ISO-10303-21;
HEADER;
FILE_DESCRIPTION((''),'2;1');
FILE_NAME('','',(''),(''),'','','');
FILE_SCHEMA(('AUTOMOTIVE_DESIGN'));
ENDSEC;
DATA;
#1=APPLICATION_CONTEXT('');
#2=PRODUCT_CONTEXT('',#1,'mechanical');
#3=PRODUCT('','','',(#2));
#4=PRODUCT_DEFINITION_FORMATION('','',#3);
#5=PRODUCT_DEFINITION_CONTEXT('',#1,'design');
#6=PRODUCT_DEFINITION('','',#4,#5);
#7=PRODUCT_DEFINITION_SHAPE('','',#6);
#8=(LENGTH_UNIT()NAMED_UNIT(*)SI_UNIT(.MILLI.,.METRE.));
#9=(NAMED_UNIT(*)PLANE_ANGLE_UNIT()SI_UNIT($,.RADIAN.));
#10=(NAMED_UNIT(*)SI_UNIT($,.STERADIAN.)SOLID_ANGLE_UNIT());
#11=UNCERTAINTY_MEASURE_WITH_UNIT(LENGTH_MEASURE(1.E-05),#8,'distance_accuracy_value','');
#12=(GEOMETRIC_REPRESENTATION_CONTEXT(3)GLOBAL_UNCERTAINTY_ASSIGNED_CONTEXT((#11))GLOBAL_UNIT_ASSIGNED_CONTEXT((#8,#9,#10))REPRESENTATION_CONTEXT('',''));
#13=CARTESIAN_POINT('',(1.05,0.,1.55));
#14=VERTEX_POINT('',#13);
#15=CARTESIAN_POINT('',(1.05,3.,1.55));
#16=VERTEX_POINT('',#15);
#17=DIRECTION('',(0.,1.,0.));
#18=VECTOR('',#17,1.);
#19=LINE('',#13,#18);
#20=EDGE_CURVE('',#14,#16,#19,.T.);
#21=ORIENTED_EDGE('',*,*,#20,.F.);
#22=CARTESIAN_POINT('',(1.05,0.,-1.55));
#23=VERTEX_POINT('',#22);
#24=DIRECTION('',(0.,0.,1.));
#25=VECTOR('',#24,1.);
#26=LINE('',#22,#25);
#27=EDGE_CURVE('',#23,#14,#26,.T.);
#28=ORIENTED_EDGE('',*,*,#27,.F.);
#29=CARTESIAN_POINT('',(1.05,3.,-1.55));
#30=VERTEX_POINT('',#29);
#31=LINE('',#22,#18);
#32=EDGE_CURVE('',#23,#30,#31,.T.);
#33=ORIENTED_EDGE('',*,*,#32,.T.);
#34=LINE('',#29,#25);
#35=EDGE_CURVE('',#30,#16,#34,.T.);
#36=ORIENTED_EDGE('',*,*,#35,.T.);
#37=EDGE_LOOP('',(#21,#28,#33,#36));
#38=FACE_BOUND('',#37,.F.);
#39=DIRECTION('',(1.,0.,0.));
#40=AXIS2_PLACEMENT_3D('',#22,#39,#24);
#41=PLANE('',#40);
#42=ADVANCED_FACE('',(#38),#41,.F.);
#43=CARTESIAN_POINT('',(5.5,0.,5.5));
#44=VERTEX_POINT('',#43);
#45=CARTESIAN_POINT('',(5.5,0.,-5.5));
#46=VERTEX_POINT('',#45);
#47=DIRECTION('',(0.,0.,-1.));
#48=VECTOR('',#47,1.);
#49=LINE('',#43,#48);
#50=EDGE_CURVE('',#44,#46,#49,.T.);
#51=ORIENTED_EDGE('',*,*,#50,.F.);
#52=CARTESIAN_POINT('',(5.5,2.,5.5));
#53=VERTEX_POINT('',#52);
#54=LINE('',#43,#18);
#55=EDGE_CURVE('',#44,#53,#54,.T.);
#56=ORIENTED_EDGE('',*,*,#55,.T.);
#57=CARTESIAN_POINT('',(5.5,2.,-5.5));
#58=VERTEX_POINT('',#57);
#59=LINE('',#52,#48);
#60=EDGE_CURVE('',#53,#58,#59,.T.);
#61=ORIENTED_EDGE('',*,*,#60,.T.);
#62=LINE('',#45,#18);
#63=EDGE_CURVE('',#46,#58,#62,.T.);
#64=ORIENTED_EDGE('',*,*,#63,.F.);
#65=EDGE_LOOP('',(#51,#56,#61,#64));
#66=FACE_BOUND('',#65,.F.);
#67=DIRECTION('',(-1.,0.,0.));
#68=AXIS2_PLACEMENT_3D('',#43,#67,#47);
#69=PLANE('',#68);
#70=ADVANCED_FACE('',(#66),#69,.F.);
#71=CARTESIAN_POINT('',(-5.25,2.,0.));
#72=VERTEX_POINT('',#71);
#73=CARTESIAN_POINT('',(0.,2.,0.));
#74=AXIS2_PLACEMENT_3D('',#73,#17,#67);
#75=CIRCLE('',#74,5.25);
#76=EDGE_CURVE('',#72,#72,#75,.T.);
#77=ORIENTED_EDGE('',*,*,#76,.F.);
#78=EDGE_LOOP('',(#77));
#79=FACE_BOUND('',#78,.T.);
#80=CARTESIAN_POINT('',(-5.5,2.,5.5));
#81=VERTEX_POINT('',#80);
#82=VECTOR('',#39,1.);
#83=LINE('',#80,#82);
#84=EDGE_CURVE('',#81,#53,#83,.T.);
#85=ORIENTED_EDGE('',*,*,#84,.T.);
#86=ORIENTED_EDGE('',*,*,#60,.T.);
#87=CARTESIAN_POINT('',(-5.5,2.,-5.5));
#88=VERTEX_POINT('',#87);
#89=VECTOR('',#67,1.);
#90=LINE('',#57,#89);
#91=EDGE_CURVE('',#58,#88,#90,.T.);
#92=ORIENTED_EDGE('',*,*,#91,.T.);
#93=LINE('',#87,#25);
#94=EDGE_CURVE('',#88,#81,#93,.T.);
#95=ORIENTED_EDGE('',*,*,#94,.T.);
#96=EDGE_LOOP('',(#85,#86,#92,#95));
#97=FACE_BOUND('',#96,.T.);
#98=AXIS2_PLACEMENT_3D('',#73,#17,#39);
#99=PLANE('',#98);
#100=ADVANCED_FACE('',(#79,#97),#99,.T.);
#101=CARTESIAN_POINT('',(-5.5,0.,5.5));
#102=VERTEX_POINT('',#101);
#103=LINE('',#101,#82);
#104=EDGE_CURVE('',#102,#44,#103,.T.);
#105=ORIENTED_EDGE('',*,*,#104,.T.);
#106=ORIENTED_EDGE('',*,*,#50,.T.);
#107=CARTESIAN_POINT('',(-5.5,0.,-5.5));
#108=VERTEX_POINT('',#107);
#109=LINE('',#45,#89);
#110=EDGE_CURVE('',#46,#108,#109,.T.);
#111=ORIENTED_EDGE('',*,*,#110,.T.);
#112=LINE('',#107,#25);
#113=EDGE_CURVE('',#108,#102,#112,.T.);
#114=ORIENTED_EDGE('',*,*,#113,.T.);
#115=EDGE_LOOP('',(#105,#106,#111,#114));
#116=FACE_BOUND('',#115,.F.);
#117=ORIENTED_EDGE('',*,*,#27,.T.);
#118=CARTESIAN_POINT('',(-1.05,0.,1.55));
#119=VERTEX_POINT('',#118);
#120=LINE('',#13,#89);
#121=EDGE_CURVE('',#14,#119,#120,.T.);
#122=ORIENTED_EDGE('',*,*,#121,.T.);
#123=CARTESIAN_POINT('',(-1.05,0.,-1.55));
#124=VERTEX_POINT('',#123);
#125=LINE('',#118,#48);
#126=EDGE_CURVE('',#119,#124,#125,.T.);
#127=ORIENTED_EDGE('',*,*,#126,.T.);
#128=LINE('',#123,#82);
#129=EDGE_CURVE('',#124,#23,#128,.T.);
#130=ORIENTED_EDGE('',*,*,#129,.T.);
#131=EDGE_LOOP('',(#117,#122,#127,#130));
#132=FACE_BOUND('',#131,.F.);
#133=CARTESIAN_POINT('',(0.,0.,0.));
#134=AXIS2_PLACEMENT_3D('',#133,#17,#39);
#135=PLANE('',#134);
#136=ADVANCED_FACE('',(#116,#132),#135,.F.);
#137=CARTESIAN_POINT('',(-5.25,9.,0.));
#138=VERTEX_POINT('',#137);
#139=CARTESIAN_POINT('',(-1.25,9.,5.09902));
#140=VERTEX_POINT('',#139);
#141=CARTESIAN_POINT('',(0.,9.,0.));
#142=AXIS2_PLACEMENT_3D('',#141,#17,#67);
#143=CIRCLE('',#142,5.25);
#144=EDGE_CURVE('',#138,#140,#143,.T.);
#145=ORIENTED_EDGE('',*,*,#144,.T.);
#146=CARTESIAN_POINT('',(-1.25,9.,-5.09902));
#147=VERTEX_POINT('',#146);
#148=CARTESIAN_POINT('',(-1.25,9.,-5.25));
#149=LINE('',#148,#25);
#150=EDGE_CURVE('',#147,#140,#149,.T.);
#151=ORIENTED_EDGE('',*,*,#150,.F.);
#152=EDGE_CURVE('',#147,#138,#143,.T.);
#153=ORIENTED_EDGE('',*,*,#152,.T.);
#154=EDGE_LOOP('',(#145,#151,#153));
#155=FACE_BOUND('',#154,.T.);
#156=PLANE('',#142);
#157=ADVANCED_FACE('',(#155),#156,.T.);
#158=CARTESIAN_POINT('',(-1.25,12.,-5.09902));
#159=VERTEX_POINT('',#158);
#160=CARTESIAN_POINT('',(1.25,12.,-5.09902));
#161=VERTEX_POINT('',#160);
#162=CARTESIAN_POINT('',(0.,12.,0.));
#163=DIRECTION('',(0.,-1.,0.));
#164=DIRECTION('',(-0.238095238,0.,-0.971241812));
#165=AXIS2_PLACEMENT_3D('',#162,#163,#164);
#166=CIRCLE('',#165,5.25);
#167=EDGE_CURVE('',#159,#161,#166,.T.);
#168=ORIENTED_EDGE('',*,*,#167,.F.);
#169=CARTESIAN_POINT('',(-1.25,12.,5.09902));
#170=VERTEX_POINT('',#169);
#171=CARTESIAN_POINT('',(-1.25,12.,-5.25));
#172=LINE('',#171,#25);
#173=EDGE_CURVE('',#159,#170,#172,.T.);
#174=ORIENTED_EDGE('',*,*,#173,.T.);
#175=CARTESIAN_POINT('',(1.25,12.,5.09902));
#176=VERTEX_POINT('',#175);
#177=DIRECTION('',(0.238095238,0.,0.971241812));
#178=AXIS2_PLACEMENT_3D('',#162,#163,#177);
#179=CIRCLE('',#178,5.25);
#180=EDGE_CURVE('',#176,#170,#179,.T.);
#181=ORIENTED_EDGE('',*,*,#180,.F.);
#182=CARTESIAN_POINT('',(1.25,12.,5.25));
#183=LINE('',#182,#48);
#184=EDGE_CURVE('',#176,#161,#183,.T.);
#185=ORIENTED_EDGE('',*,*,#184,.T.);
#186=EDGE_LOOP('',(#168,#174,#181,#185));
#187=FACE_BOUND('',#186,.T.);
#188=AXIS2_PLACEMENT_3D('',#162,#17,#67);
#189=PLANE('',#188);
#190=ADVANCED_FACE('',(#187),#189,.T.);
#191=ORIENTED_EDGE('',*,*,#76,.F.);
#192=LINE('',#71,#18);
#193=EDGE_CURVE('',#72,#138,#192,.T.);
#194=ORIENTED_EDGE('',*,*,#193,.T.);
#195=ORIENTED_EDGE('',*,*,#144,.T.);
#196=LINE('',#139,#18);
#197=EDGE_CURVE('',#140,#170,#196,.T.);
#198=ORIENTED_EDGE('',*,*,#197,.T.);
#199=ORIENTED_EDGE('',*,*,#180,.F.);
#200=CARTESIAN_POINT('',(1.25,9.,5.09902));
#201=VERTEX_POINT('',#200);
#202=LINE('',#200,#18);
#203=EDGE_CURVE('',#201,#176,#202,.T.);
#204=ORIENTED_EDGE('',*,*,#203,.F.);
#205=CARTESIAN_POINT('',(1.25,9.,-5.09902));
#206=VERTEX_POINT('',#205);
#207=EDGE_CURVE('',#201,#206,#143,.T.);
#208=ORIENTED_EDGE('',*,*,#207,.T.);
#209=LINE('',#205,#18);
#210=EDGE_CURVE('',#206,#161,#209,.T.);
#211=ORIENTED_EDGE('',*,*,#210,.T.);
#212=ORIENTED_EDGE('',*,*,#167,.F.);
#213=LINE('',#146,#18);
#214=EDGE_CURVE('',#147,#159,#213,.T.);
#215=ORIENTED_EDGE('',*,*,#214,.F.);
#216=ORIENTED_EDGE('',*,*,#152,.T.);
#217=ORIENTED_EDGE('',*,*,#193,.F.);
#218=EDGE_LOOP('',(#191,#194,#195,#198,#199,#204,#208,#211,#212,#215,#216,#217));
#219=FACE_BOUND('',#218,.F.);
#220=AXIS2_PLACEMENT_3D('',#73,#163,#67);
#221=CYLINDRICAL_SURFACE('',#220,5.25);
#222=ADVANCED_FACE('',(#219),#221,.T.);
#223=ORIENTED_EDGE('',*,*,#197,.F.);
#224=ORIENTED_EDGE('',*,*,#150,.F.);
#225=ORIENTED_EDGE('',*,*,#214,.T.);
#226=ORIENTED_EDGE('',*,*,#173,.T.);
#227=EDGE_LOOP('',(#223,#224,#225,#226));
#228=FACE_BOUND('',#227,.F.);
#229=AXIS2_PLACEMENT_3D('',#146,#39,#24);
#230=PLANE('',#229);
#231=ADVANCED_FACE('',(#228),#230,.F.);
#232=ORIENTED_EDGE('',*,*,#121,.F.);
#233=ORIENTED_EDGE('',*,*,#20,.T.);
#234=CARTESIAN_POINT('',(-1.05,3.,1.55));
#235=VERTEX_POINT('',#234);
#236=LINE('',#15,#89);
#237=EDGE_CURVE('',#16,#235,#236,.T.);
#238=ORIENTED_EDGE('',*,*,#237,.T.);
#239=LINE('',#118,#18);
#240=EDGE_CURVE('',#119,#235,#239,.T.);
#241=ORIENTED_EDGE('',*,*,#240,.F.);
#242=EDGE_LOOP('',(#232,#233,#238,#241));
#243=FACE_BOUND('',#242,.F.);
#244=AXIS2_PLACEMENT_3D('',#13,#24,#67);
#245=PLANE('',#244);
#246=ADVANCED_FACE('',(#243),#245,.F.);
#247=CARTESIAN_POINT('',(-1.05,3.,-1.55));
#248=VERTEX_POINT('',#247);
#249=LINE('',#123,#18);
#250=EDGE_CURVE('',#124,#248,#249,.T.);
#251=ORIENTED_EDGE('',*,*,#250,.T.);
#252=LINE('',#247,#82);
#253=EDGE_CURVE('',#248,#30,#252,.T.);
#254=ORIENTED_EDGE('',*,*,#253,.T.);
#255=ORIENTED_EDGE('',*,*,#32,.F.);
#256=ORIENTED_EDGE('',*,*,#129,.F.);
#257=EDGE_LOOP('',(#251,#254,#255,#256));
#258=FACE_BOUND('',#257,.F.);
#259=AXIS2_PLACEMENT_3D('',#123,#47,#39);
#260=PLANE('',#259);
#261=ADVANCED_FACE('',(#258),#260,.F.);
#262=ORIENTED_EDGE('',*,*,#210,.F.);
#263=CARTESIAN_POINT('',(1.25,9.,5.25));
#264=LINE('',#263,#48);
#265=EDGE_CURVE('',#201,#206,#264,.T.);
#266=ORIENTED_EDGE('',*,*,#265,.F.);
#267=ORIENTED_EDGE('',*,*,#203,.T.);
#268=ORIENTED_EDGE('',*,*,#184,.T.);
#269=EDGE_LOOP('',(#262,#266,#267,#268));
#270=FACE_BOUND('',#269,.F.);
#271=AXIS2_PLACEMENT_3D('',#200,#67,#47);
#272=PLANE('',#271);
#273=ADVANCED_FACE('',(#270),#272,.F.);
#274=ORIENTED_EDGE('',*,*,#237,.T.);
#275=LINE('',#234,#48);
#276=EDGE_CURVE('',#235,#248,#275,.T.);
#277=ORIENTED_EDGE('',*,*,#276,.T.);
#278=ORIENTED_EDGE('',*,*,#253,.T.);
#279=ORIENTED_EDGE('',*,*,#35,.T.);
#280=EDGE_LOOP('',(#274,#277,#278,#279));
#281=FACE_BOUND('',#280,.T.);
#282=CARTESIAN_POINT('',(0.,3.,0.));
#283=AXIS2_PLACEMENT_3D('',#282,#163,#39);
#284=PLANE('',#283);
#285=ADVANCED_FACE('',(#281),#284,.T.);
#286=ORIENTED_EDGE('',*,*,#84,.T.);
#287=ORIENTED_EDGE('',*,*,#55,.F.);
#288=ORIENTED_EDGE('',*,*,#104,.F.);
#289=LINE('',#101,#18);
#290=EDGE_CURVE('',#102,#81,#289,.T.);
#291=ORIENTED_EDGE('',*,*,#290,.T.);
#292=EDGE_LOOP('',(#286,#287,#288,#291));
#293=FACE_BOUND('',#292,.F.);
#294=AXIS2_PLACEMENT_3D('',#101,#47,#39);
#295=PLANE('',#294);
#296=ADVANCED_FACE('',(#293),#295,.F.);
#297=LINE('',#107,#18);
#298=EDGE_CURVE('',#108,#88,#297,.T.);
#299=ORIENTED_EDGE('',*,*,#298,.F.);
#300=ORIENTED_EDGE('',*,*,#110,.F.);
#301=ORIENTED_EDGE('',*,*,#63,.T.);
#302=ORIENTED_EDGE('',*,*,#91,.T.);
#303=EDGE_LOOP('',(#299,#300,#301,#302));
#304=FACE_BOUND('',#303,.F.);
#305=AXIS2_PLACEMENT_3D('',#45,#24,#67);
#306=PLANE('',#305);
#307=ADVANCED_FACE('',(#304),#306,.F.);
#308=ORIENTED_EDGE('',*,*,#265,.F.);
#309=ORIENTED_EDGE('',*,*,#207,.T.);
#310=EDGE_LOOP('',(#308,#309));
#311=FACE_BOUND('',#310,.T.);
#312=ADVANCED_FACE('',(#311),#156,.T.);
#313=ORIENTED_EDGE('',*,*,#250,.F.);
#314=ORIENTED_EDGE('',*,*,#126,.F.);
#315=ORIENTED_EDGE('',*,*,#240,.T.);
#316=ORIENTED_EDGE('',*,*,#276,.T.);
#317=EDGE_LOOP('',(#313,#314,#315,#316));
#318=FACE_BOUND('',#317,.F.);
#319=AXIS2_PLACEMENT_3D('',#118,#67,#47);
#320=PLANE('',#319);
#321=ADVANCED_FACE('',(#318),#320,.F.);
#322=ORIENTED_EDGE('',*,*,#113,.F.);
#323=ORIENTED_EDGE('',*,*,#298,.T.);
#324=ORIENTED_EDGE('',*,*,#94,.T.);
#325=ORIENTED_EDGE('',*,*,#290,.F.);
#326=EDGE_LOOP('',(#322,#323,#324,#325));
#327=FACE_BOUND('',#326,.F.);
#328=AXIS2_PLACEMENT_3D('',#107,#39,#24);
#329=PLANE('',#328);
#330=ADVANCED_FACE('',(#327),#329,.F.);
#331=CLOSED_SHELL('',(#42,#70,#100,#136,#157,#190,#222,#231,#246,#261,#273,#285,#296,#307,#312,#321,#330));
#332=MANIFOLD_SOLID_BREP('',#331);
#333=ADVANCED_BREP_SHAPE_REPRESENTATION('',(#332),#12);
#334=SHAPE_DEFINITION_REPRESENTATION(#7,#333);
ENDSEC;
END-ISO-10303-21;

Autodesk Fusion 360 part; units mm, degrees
sketch "Sketch1" plane through (0, 0, 0) normal (0, 1, 0) x (1, 0, 0)
  line L0 (5.5, 5.5) -> (-5.5, 5.5)
  line L1 (-5.5, 5.5) -> (-5.5, -5.5)
  line L2 (-5.5, -5.5) -> (5.5, -5.5)
  line L3 (5.5, -5.5) -> (5.5, 5.5)
  line L4 (5.5, 5.5) -> (-5.5, -5.5) construction
  line L5 (-5.5, 5.5) -> (5.5, -5.5) construction
  dimension "d1" = 11
  dimension "d2" = 11
extrude "Extrude1" add sketch "Sketch1" along normal blind 2
sketch "Sketch2" plane through (0, 2, 0) normal (0, 1, 0) x (-1, 0, 0)
  line L0 (-5.5, 5.5) -> (-5.5, -5.5)
  line L1 (-5.5, -5.5) -> (5.5, -5.5)
  line L2 (5.5, -5.5) -> (5.5, 5.5)
  line L3 (5.5, 5.5) -> (-5.5, 5.5)
  circle A0 centre (0, 0) radius 5.25
  dimension "d5" = 10.5
extrude "Extrude2" add sketch "Sketch2" along normal blind 7 contours A0
sketch "Sketch3" plane through (0, 9, 0) normal (0, 1, 0) x (-1, 0, 0)
  circle A0 centre (0, 0) radius 5.25
  line L0 (1.25, 5.25) -> (-1.25, 5.25)
  line L1 (-1.25, 5.25) -> (-1.25, -5.25)
  line L2 (-1.25, -5.25) -> (1.25, -5.25)
  line L3 (1.25, -5.25) -> (1.25, 5.25)
  line L4 (1.25, 5.25) -> (-1.25, -5.25) construction
  line L5 (-1.25, 5.25) -> (1.25, -5.25) construction
  dimension "d8" = 2.5
  dimension "d9" = 10.5
extrude "Extrude3" add sketch "Sketch3" along normal blind 3 contours A0 L1 L3
sketch "Sketch4" plane through (0, 0, 0) normal (0, -1, 0) x (1, 0, 0)
  line L0 (5.5, -5.5) -> (5.5, 5.5)
  line L1 (5.5, 5.5) -> (-5.5, 5.5)
  line L2 (-5.5, 5.5) -> (-5.5, -5.5)
  line L3 (-5.5, -5.5) -> (5.5, -5.5)
  line L4 (1.05, 1.55) -> (-1.05, 1.55)
  line L5 (-1.05, 1.55) -> (-1.05, -1.55)
  line L6 (-1.05, -1.55) -> (1.05, -1.55)
  line L7 (1.05, -1.55) -> (1.05, 1.55)
  line L8 (1.05, 1.55) -> (-1.05, -1.55) construction
  line L9 (-1.05, 1.55) -> (1.05, -1.55) construction
  dimension "d12" = 2.1
  dimension "d13" = 3.1
extrude "Extrude4" cut sketch "Sketch4" against normal blind 3 contours L4 L5 L6 L7
